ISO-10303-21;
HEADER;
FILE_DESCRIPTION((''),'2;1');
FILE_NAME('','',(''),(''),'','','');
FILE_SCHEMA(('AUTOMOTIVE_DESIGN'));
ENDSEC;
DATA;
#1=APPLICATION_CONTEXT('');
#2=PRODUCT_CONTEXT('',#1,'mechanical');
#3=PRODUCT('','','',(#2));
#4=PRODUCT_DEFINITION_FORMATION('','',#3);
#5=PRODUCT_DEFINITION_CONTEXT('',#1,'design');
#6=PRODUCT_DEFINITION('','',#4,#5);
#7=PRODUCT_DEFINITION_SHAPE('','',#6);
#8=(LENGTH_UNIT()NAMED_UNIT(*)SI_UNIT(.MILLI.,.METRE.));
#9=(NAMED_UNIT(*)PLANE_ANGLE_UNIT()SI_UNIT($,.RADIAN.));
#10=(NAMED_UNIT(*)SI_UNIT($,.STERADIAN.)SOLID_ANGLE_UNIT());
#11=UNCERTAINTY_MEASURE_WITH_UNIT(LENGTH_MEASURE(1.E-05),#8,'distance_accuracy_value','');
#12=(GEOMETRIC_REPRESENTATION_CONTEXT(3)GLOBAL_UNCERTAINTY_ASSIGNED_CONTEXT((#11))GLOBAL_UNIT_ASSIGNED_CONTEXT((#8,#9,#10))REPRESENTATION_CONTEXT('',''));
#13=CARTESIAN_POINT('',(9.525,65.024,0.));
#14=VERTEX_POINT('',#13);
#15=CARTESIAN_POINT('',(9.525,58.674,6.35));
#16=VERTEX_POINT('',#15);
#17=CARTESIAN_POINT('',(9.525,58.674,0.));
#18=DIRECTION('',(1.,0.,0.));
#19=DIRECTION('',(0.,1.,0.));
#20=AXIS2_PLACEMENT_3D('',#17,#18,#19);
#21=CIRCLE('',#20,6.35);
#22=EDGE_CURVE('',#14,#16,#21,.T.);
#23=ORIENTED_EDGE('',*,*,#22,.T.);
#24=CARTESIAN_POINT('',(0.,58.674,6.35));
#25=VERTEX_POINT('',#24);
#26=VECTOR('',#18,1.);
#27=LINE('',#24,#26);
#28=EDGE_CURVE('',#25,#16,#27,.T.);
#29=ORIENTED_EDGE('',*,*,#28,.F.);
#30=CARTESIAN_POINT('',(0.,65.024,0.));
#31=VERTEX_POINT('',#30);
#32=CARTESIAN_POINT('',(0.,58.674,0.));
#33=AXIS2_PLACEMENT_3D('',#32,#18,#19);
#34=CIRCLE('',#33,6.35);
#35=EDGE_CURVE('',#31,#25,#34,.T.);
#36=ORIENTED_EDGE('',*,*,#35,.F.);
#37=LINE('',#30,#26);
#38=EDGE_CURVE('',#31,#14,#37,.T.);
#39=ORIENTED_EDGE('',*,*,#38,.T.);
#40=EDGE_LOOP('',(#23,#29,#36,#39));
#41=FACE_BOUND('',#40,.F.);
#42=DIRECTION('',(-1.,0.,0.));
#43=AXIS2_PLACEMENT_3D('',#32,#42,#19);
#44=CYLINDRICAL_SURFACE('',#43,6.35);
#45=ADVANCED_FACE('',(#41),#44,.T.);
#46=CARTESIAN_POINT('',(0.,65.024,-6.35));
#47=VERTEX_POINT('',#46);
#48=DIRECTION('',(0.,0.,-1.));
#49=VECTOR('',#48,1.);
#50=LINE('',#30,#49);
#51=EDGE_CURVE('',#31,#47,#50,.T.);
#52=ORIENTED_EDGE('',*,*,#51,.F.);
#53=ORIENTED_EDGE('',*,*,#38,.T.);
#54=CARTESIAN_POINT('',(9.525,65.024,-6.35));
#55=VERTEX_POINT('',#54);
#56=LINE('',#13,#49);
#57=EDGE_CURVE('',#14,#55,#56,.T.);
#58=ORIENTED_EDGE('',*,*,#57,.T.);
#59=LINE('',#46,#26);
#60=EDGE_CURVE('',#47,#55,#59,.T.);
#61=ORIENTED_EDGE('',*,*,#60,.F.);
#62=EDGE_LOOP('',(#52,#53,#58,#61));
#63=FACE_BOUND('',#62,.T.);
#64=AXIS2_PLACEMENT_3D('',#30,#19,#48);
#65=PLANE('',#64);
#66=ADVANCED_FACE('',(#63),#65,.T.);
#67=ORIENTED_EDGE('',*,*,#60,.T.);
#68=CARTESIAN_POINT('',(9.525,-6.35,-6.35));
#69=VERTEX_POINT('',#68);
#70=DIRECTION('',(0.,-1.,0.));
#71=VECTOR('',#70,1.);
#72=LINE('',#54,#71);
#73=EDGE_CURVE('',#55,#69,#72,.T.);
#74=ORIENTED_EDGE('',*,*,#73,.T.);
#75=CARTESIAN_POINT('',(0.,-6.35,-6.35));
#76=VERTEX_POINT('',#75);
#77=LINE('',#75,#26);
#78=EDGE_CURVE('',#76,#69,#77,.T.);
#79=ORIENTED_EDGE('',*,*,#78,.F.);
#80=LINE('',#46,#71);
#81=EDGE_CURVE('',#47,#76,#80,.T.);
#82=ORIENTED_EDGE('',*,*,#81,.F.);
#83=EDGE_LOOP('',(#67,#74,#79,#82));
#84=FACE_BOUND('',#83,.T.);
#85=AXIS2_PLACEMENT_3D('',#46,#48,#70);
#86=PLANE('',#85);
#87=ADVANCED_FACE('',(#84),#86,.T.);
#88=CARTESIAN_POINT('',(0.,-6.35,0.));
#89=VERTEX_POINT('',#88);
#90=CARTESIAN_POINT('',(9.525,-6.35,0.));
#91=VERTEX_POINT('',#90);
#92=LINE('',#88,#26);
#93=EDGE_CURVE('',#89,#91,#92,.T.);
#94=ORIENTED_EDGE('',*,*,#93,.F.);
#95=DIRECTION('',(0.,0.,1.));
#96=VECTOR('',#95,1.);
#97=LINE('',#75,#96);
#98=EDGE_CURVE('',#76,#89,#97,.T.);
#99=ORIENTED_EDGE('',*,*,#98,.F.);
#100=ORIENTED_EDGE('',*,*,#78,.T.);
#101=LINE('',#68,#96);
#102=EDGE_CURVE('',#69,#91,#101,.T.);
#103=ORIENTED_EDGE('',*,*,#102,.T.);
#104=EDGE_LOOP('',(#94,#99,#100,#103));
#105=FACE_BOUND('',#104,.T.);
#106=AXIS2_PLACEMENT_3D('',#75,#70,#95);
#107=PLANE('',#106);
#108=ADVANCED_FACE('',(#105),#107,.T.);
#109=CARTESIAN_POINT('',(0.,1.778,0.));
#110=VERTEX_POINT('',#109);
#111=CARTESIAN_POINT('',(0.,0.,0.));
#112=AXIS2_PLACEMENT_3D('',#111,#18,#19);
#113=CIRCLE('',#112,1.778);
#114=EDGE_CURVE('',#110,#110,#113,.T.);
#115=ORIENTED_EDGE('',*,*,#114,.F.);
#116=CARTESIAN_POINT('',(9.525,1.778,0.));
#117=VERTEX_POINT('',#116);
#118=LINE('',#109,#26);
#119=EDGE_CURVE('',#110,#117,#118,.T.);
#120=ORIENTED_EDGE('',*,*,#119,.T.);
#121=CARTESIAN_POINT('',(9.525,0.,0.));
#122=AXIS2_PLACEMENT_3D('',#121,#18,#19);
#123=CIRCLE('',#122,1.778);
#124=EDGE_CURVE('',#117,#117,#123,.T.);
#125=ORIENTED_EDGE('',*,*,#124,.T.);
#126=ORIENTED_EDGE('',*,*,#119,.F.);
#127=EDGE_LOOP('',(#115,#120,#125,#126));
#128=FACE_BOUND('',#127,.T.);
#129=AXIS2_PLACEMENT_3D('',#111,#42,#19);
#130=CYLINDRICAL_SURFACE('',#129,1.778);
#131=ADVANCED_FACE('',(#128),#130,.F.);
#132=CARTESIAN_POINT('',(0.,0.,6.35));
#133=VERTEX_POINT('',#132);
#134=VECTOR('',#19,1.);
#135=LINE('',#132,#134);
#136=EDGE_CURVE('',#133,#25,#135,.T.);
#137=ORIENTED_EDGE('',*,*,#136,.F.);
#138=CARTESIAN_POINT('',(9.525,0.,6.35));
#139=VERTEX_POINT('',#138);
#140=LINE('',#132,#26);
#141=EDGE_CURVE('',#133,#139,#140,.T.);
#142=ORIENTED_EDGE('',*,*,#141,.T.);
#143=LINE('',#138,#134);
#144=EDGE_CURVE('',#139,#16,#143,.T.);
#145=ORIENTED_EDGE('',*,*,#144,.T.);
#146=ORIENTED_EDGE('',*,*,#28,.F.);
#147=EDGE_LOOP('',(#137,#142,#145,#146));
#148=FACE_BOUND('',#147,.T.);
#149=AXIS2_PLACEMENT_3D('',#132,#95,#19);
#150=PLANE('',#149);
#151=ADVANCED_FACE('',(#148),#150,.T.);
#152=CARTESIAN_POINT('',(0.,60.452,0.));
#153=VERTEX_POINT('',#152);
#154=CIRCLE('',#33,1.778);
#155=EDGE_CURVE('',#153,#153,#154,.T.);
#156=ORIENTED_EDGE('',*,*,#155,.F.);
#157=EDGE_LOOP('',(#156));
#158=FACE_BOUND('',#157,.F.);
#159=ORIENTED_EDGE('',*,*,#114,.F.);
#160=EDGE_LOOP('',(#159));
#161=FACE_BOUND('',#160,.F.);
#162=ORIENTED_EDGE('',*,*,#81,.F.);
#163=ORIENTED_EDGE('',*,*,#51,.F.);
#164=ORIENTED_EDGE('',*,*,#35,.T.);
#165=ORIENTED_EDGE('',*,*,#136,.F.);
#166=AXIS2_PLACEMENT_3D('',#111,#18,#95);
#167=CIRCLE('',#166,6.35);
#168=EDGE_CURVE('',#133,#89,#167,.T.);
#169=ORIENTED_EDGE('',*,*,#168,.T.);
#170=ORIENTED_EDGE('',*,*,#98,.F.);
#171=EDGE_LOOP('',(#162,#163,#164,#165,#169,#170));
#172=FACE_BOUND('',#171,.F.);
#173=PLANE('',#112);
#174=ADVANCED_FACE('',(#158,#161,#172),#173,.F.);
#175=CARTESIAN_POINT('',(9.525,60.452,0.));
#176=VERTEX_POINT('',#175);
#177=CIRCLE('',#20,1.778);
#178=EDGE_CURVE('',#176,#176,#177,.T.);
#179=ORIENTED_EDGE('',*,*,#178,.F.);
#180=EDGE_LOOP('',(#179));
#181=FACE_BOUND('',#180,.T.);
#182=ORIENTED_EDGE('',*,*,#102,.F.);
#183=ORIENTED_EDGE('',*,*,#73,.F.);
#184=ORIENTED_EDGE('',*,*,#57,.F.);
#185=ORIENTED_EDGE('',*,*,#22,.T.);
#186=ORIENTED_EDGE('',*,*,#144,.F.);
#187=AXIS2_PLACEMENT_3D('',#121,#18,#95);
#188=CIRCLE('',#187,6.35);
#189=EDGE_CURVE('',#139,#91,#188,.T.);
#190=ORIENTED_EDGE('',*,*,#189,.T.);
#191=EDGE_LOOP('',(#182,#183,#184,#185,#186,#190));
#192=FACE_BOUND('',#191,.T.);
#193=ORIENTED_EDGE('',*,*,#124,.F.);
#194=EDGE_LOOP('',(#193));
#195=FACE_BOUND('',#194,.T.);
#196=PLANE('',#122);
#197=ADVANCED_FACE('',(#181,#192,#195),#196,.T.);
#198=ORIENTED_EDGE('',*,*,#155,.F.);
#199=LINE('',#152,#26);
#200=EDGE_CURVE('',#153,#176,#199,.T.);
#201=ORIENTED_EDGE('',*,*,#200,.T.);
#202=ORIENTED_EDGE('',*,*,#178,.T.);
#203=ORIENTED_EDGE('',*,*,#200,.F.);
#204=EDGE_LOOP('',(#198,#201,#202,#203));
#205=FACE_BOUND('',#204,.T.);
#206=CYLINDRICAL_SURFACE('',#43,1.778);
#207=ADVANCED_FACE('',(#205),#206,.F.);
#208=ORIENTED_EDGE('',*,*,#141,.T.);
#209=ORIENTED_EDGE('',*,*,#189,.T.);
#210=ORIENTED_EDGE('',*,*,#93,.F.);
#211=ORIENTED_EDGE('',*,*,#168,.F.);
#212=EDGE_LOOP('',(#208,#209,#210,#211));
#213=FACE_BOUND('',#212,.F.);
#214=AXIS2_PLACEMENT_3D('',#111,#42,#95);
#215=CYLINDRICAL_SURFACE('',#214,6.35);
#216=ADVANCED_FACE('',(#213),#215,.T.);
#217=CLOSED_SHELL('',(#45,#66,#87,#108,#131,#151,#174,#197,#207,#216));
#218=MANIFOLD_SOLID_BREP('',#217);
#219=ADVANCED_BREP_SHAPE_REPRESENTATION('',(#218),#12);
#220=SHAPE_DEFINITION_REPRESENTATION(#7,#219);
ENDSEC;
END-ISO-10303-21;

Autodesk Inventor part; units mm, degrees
ref_plane "YZ Plane" through (0, 0, 0) normal (1, 0, 0) x (0, 1, 0)
ref_plane "XZ Plane" through (0, 0, 0) normal (0, 1, 0) x (-1, 0, 0)
ref_plane "XY Plane" through (0, 0, 0) normal (0, 0, 1) x (1, 0, 0)
sketch "Sketch1" plane through (0, 0, 0) normal (1, 0, 0) x (0, 1, 0)
  circle A0 centre (0, 0) radius 1.778
  circle A1 centre (58.674, 0) radius 1.778
  line L0 (65.024, -6.35) -> (-6.35, -6.35)
  line L1 (-6.35, -6.35) -> (-6.35, 0)
  line L2 (0, 6.35) -> (58.674, 6.35)
  line L3 (65.024, 0) -> (65.024, -6.35)
  arc A2 (0, 6.35) -> (-6.35, 0) centre (0, 0) ccw
  arc A3 (65.024, 0) -> (58.674, 6.35) centre (58.674, 0) ccw
  dimension "d0" = 3.556
  dimension "d1" = 3.556
  dimension "d2" = 58.674
  dimension "d3" = 6.35
  dimension "d4" = 12.7
  dimension "d5" = 6.35
  dimension "d6" = 6.35
  dimension "d8" = 6.35
extrude "Extrusion1" add sketch "Sketch1" along normal blind 9.525
properties part number "Base"
